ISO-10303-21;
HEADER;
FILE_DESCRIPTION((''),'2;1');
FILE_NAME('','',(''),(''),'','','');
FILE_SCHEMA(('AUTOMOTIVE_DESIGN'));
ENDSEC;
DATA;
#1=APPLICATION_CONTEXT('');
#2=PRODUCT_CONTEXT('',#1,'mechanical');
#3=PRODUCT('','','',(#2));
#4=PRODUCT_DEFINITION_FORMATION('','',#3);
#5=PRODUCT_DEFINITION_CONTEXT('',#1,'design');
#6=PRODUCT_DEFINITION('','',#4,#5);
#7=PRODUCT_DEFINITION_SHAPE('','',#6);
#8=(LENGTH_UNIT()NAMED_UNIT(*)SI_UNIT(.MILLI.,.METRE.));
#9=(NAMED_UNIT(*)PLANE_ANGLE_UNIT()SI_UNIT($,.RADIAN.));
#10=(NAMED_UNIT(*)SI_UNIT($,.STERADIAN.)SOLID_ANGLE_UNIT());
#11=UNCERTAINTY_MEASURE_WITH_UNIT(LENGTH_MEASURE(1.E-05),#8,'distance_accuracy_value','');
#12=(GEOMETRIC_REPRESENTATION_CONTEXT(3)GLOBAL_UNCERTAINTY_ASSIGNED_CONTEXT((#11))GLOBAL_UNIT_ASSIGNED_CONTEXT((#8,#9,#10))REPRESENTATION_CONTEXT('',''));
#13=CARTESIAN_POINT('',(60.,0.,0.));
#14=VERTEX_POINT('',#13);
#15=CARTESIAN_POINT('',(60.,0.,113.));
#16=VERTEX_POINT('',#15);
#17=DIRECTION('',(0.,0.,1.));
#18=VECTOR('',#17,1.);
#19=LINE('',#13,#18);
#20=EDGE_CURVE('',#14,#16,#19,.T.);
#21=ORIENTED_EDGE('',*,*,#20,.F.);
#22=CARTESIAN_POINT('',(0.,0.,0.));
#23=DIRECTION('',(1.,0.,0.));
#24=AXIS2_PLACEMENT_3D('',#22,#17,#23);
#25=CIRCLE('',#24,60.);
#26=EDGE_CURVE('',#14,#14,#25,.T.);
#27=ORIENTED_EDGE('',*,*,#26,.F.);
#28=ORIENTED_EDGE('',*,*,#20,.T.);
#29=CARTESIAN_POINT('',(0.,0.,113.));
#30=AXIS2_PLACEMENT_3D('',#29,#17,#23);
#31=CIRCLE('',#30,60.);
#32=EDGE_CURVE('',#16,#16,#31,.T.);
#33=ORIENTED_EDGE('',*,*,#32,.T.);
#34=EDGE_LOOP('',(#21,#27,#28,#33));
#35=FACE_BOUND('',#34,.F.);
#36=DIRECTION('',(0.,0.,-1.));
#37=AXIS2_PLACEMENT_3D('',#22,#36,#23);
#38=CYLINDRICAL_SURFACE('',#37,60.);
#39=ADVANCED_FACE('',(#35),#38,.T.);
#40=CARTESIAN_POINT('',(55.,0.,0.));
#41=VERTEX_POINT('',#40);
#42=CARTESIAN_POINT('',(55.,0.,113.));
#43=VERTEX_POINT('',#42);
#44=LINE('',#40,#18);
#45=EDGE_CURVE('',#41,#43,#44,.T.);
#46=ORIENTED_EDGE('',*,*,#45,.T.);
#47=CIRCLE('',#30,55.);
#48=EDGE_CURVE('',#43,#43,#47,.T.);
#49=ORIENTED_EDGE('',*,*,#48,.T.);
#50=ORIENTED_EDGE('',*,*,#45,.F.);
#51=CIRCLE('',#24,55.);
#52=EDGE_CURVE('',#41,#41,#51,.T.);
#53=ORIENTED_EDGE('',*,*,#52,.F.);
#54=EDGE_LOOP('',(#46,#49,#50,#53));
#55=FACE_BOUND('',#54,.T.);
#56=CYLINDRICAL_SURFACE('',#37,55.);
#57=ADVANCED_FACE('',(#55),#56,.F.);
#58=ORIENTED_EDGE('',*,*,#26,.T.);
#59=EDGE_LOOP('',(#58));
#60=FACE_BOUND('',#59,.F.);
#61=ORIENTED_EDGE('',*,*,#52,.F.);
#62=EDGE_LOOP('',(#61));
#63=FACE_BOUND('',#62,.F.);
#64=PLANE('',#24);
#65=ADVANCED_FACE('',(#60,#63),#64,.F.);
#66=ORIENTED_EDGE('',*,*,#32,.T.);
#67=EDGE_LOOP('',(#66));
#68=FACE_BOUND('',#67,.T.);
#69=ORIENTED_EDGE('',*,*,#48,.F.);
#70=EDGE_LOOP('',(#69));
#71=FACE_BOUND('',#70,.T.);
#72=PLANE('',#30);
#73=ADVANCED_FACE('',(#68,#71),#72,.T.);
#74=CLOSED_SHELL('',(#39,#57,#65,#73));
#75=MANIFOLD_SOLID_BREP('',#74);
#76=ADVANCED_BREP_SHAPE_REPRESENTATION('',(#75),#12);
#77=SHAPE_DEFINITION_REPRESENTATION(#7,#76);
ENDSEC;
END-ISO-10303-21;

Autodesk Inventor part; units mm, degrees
ref_plane "YZ Plane" through (0, 0, 0) normal (1, 0, 0) x (0, 1, 0)
ref_plane "XZ Plane" through (0, 0, 0) normal (0, 1, 0) x (-1, 0, 0)
ref_plane "XY Plane" through (0, 0, 0) normal (0, 0, 1) x (1, 0, 0)
sketch "Эскиз1" plane through (0, 0, 0) normal (0, 0, 1) x (1, 0, 0)
  circle A0 centre (0, 0) radius 55
  circle A1 centre (0, 0) radius 60
  dimension "d0" = 110
  dimension "d1" = 120
extrude "Выдавливание1" add sketch "Эскиз1" along normal blind 113
properties part number "Втулка палец шатун_CPY" material "Бронза, литейная"
